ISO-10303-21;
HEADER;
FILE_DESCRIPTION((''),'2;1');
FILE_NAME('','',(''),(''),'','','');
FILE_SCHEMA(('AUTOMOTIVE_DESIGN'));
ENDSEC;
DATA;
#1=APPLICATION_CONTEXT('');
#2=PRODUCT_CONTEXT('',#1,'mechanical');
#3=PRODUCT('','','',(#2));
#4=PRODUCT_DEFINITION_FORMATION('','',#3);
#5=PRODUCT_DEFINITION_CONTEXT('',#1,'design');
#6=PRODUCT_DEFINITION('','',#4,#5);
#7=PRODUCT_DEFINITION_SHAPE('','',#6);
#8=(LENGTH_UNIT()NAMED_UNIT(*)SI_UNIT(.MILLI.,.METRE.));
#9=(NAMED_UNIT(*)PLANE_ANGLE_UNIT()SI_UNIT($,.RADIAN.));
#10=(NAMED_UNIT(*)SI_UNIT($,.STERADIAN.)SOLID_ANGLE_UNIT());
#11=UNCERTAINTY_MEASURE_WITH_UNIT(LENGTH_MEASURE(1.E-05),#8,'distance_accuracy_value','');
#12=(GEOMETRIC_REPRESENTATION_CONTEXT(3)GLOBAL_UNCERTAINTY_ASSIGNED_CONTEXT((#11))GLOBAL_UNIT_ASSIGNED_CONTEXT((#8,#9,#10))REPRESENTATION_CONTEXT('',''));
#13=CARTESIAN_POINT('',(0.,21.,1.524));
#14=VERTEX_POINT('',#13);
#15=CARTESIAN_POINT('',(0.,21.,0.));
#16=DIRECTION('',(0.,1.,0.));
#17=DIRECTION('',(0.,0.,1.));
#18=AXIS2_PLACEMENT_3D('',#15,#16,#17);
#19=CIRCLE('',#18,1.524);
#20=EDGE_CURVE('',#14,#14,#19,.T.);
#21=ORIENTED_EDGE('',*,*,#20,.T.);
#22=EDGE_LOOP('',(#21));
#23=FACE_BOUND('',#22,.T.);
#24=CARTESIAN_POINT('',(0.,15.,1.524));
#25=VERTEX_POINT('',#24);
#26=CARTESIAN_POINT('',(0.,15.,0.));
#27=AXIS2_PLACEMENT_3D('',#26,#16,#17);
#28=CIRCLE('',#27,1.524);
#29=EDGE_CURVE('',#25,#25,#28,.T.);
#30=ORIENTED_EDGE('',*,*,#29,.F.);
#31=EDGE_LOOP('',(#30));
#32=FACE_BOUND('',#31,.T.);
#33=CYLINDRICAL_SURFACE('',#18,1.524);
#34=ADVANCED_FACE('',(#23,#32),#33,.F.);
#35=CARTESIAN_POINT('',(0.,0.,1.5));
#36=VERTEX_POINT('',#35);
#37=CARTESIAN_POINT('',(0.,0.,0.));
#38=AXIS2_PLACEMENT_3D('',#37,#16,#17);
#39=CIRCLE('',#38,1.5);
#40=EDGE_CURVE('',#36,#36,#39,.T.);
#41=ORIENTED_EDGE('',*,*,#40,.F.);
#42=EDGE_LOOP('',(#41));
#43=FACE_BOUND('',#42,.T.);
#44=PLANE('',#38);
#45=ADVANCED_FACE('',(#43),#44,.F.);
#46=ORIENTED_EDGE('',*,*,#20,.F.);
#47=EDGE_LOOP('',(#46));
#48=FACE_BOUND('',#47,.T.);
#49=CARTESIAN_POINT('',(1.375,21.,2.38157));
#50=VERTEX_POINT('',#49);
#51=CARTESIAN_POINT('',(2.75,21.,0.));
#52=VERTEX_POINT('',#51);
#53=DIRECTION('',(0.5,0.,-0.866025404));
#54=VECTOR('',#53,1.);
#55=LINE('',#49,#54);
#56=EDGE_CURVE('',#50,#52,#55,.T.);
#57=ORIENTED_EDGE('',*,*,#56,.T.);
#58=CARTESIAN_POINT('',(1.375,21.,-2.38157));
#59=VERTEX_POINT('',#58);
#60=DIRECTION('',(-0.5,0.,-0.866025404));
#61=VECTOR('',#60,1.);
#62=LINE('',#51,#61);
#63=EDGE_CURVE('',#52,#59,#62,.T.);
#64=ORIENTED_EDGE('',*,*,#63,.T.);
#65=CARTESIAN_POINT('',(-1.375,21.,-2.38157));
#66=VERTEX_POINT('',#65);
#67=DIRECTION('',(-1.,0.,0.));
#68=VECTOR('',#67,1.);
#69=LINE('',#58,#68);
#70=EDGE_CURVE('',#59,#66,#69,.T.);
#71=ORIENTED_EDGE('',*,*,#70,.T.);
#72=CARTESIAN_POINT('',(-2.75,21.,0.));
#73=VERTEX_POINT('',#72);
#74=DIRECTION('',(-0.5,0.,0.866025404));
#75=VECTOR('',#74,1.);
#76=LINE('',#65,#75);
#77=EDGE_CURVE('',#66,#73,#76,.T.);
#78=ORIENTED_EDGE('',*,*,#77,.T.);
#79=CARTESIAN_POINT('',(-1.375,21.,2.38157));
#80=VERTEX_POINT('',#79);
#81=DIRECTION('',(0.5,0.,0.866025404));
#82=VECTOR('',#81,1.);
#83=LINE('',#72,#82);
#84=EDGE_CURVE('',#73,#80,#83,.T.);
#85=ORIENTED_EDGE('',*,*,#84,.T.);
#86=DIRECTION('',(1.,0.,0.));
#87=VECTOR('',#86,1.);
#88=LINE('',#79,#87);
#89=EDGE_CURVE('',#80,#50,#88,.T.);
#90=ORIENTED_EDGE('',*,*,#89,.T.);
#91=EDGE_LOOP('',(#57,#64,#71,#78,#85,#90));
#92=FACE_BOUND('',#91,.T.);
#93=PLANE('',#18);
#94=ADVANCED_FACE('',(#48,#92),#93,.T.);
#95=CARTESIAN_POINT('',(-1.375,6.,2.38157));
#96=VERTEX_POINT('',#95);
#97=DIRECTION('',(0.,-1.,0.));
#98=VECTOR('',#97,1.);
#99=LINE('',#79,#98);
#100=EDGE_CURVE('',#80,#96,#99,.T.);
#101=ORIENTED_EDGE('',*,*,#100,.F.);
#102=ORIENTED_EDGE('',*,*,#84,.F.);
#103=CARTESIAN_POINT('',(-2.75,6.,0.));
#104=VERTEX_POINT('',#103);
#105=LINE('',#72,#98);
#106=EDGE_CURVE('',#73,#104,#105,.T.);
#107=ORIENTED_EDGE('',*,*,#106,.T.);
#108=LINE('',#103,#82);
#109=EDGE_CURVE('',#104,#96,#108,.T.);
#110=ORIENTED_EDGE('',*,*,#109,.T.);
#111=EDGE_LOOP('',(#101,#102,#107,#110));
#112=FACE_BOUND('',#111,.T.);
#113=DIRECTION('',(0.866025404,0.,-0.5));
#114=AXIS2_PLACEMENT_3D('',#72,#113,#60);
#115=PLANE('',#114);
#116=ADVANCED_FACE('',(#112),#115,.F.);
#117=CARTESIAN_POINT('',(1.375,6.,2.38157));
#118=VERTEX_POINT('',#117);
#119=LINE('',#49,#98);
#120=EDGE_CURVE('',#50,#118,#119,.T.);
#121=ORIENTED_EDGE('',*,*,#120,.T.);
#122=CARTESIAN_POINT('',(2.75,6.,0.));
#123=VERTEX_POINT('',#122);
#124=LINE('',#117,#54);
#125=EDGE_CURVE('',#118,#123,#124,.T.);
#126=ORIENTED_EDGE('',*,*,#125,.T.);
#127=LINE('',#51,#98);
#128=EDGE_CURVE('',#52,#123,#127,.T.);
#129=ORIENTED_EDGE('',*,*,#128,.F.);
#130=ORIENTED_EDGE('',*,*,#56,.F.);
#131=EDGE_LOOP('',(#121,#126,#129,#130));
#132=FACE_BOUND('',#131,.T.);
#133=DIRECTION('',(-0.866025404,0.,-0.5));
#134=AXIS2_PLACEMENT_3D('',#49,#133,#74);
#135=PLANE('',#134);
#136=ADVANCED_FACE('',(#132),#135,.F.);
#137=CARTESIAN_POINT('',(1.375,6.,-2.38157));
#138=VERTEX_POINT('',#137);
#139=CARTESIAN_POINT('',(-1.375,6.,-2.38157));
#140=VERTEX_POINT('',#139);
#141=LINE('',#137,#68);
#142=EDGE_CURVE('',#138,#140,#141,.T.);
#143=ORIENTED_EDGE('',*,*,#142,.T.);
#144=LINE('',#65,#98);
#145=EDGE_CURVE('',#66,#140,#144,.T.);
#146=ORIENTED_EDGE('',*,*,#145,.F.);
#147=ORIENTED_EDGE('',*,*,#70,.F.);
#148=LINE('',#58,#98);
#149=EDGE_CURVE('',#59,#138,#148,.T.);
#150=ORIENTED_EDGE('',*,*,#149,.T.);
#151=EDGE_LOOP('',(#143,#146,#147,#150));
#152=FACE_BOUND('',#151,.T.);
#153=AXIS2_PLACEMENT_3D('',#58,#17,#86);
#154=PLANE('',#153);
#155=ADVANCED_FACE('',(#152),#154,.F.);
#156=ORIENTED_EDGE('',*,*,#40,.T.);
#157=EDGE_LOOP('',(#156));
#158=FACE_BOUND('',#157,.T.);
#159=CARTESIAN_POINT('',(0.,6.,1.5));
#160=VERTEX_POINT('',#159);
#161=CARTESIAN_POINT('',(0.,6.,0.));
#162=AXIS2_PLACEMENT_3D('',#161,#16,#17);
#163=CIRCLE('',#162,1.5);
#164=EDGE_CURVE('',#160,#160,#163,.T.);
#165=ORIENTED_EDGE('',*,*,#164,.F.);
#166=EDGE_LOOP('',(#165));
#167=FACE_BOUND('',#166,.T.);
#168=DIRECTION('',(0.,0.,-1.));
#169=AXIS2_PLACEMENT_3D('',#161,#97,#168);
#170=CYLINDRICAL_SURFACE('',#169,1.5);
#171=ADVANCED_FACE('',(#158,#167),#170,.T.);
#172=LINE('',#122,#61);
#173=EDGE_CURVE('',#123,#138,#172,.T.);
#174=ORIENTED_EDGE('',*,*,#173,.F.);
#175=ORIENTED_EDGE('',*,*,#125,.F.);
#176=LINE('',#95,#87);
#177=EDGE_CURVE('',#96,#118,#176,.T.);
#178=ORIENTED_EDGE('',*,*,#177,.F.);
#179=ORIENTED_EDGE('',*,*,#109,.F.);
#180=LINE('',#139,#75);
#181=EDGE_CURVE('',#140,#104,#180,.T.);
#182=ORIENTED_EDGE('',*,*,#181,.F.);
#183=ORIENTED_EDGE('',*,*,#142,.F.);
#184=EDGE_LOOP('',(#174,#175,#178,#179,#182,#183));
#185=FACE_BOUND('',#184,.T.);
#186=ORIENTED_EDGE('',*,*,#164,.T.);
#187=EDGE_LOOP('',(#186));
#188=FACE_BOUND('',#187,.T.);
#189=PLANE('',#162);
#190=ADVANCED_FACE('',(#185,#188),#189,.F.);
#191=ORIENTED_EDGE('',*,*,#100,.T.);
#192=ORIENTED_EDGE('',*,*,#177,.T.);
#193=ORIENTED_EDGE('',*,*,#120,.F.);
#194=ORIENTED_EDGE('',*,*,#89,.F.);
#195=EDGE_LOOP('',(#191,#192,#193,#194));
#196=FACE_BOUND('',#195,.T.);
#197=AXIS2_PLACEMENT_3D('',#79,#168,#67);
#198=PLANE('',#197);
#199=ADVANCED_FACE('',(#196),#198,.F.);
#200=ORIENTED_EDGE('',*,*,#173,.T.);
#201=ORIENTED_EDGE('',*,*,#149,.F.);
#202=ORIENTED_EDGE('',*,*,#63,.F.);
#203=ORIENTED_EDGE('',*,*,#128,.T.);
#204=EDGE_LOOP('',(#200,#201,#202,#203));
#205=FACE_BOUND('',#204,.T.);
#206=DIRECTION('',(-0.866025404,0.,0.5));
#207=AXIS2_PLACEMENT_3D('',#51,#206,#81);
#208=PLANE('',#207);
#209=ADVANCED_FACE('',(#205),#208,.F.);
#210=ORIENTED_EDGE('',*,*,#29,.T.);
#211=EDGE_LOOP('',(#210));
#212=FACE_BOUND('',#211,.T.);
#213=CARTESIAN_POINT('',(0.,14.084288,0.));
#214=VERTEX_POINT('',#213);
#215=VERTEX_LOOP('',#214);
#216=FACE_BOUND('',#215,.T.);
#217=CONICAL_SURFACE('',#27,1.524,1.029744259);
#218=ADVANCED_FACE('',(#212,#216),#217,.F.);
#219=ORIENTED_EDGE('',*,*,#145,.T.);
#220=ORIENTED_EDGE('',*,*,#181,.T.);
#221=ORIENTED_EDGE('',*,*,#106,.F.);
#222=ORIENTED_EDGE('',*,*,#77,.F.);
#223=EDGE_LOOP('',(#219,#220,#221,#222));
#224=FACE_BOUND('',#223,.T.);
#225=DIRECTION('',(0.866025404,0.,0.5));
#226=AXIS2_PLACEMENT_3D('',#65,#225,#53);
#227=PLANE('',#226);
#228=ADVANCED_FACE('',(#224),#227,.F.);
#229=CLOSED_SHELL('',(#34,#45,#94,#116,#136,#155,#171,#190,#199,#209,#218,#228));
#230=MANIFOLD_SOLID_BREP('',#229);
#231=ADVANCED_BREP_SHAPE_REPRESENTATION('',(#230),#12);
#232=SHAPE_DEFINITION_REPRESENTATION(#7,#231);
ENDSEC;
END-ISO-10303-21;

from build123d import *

# Parameters (mm, degrees)
SKETCH_1_R           = 1.5
EXTRUDE_1_DEPTH      = 6
EXTRUDE_2_DEPTH      = 15
HOLE_WIZARD_41_D     = 3.048
HOLE_WIZARD_41_DEPTH = 6
HOLE_WIZARD_41_TIP   = 0.915711583


with BuildPart() as part:
    # Эскиз1 → Бобышка-Вытянуть1 (new body)
    with BuildSketch(Plane(origin=(0, 0, 0), x_dir=(1, 0, 0), z_dir=(0, 1, 0))):
        with Locations(Location((0, 0, 0), (0, 0, 270))):
            Circle(SKETCH_1_R)
    extrude(amount=EXTRUDE_1_DEPTH)

    # Эскиз2 → Бобышка-Вытянуть2 (add)
    with BuildSketch(Plane(origin=(0, 6, 0), x_dir=(1, 0, 0), z_dir=(0, 1, 0))):
        Polygon((2.75, 0), (1.375, 2.38156986), (-1.375, 2.38156986), (-2.75, 0), (-1.375, -2.38156986), (1.375, -2.38156986), align=None)
    extrude(amount=EXTRUDE_2_DEPTH)

    # Сверло под метчик  спиральное #41
    with Locations(Plane(origin=(0, 21, 0), x_dir=(1, 0, 0), z_dir=(0, 1, 0))):
        with Locations((0, 0)):
            Hole(HOLE_WIZARD_41_D / 2, depth=HOLE_WIZARD_41_DEPTH)
            with Locations((0, 0, -(HOLE_WIZARD_41_DEPTH + HOLE_WIZARD_41_TIP / 2))):  # 118° drill point
                Cone(0, HOLE_WIZARD_41_D / 2, HOLE_WIZARD_41_TIP, mode=Mode.SUBTRACT)


solid = part.part
